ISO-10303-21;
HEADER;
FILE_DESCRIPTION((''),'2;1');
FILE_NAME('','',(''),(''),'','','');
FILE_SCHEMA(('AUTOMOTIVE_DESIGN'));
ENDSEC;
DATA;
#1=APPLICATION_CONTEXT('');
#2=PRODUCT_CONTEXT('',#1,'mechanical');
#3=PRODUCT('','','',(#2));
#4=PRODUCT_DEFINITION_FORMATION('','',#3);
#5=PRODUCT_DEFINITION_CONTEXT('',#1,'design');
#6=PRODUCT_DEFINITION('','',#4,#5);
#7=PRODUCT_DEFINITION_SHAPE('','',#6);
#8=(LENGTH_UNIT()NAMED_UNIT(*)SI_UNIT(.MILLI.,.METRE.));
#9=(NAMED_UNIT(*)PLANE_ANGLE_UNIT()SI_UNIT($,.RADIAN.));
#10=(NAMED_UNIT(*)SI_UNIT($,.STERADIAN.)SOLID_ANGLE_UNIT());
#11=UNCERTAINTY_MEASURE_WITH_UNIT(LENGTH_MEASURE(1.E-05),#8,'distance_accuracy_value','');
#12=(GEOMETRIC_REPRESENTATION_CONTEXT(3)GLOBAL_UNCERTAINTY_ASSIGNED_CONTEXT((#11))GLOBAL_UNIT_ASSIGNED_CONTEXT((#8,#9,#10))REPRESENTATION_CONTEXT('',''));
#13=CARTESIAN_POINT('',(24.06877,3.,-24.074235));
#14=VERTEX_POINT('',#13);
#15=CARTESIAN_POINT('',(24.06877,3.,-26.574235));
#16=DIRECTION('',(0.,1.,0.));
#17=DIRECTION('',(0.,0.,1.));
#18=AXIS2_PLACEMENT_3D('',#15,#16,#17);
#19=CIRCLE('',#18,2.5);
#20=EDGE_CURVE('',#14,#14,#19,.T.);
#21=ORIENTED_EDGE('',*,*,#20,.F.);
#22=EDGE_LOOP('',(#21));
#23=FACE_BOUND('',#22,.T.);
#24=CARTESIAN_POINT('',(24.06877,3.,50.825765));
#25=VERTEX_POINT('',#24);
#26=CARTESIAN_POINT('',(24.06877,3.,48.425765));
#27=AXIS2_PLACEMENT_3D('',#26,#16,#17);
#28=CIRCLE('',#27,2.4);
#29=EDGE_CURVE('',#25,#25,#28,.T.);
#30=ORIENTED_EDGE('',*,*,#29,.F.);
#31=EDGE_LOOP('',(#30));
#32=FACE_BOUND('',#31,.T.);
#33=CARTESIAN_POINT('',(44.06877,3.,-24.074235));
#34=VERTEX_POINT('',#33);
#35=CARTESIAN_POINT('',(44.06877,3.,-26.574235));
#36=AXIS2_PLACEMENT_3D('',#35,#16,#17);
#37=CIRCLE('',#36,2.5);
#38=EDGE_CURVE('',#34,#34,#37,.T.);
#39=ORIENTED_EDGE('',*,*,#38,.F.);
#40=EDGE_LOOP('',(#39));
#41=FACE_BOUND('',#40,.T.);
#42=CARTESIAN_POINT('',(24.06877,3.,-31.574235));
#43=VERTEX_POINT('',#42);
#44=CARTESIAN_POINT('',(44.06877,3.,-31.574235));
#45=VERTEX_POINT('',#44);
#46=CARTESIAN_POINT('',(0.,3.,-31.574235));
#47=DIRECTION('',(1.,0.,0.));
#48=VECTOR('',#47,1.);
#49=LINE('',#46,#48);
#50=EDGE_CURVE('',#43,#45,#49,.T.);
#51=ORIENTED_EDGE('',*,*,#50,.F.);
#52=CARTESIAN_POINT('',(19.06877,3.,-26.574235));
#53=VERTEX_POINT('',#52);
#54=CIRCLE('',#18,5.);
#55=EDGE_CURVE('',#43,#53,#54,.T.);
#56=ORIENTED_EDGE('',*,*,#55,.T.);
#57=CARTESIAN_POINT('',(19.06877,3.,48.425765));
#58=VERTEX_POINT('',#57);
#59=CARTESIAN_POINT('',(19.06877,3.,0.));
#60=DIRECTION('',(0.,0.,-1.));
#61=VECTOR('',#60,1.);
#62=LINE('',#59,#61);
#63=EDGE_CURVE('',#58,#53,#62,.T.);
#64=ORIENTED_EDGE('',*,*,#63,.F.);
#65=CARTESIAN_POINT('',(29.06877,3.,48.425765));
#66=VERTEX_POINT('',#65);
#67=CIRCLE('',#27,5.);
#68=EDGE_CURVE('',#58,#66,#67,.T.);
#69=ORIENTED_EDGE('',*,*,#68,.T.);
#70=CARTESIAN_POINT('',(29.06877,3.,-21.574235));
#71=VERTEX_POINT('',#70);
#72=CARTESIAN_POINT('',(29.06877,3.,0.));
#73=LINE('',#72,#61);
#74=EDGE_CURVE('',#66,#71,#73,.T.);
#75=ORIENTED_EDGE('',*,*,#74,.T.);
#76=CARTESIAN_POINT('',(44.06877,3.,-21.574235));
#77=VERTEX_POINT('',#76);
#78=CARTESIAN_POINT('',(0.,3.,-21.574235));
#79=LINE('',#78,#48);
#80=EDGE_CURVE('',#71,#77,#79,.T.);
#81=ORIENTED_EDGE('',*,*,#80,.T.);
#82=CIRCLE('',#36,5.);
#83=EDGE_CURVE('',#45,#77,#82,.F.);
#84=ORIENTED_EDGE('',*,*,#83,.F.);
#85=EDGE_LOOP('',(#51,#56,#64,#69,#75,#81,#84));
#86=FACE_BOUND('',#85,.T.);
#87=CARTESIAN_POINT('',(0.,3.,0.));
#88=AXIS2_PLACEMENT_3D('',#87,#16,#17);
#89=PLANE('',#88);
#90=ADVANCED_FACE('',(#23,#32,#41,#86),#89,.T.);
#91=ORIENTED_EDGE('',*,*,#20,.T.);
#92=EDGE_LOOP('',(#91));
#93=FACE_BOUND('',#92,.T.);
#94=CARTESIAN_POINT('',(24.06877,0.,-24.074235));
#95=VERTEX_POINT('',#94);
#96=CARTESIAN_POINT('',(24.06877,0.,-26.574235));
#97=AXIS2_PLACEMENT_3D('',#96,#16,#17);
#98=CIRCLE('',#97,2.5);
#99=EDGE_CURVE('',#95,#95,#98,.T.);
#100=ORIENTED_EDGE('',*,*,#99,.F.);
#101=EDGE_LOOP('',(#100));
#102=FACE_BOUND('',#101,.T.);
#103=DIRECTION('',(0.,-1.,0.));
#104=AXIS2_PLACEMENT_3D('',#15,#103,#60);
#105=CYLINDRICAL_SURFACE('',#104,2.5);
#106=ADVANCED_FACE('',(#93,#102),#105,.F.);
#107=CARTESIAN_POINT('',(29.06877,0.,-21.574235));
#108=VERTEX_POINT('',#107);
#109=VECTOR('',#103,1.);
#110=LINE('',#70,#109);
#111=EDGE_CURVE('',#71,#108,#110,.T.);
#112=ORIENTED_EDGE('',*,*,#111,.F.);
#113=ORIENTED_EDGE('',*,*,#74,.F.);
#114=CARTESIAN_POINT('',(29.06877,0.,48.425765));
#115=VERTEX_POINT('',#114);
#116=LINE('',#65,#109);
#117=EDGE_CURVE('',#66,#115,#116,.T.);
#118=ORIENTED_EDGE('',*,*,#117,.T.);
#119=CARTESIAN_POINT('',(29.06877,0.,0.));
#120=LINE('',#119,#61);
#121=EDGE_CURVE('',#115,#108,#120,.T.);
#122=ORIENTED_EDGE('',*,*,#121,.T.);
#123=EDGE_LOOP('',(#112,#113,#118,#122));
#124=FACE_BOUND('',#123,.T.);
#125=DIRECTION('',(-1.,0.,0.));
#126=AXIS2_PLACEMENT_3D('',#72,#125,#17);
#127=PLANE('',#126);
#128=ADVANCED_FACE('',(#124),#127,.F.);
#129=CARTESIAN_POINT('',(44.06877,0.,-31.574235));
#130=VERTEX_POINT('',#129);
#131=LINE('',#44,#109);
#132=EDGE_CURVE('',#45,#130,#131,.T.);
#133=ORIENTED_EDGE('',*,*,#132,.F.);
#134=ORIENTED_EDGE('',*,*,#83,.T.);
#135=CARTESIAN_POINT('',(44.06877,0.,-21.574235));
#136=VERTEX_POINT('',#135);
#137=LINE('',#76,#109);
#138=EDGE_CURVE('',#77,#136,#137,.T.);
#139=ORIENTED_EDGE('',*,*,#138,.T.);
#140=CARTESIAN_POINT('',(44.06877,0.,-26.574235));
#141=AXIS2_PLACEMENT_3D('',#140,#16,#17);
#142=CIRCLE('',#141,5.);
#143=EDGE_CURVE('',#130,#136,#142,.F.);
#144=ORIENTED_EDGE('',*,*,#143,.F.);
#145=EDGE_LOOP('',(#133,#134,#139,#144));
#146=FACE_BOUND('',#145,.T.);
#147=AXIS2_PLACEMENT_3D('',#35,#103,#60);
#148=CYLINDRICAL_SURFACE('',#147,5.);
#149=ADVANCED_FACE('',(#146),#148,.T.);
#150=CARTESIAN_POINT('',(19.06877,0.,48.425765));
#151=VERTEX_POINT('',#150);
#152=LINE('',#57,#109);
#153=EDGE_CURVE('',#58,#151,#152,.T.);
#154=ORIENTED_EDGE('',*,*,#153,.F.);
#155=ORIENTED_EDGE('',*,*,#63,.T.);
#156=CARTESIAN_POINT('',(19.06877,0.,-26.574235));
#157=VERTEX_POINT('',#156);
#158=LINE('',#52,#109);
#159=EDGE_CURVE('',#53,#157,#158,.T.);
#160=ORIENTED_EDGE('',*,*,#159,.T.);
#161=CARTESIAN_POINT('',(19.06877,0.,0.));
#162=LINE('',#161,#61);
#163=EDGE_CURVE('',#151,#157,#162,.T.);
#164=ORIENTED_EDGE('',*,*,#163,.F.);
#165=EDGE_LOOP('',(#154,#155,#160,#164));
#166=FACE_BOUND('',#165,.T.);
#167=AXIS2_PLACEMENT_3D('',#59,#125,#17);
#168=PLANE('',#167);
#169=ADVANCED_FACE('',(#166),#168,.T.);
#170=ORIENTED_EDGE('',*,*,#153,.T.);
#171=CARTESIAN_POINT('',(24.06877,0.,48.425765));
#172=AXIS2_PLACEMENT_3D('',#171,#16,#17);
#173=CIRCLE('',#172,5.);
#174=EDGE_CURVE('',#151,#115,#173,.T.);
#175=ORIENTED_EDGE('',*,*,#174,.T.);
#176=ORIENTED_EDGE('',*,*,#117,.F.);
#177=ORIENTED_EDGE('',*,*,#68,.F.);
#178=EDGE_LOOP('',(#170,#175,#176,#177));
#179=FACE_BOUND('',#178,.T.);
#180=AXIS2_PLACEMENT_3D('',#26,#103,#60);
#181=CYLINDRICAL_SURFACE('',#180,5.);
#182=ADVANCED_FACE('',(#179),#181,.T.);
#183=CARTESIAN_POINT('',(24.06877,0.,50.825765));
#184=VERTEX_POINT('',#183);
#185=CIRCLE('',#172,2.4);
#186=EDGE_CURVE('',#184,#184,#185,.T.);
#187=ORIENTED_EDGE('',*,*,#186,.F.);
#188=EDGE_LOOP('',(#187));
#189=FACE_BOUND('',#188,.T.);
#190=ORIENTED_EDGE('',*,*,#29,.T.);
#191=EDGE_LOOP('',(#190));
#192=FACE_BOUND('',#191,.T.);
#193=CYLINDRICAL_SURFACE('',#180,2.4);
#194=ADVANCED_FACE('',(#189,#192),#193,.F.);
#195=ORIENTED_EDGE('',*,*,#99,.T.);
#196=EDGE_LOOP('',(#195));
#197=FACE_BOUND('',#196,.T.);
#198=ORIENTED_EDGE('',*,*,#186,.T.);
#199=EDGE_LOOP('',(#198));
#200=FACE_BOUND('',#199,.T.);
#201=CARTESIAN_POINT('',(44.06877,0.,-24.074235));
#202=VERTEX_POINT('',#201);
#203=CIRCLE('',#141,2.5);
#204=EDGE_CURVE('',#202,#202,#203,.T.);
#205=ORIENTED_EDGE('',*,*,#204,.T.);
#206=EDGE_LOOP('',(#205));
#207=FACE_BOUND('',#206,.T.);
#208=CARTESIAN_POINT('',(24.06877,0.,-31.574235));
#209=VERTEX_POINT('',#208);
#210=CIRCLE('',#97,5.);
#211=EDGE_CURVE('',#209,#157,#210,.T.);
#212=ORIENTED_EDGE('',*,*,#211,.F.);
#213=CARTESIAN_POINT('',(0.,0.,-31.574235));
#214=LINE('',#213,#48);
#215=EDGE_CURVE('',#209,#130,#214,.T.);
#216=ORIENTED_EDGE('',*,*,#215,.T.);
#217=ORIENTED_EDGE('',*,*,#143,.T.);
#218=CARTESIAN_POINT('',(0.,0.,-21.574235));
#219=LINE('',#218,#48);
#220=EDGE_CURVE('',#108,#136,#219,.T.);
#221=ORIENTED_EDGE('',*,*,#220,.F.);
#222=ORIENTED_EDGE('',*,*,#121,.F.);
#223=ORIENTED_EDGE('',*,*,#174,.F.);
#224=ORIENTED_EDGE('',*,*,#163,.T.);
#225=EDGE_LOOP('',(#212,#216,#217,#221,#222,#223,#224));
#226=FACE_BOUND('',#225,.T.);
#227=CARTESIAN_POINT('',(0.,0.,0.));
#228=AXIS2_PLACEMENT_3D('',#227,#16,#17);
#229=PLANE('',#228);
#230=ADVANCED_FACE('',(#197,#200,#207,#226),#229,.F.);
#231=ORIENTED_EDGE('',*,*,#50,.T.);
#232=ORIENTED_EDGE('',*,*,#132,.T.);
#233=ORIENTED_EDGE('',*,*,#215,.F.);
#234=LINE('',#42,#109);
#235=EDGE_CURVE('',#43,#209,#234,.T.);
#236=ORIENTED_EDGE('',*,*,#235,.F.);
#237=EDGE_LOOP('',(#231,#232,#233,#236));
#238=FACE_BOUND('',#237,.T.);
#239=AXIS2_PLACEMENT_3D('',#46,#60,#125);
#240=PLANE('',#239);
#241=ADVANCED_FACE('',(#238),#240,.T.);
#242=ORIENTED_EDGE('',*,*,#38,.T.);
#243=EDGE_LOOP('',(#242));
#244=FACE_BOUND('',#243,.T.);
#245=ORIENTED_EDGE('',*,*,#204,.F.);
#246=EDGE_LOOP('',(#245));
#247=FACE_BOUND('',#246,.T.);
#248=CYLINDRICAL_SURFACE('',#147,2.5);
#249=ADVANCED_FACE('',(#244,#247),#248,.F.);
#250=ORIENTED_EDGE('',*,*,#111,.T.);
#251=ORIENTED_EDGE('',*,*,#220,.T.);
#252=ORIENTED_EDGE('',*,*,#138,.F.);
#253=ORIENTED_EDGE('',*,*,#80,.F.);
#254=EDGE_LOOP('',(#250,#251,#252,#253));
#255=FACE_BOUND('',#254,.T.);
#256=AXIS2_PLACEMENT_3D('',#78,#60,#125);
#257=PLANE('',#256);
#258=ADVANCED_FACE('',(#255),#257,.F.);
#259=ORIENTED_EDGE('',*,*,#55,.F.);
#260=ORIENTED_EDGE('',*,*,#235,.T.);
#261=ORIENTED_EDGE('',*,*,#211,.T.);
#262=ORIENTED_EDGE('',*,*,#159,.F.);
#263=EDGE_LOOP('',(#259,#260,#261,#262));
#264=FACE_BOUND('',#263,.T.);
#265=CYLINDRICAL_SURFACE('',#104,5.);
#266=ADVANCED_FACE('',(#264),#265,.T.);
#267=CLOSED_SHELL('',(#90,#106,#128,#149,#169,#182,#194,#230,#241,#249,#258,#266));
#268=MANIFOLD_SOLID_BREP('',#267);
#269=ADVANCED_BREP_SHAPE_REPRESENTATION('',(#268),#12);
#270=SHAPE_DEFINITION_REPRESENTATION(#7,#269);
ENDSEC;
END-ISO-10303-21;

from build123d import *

# Parameters (mm, degrees)
SKETCH1_R           = 2.4
SKETCH1_R_2         = 2.5
BOSS_EXTRUDE1_DEPTH = 3


with BuildPart() as part:
    # Sketch1 → Boss-Extrude1 (new body)
    # profile 1 of 4: a face of its own
    with BuildSketch(Plane(origin=(0, 0, 0), x_dir=(1, 0, 0), z_dir=(0, 1, 0))):
        with BuildLine():
            Line((19.068769591, 26.574235382), (19.068769591, -48.425764618))
            ThreePointArc((19.068769591, -48.425764618), (24.068769591, -53.425764618), (29.068769591, -48.425764618))
            Line((29.068769591, -48.425764618), (29.068769591, 21.574235382))
            Line((29.068769591, 21.574235382), (24.068769591, 21.574235382))
            Line((24.068769591, 21.574235382), (24.068769591, 24.074235382))
            ThreePointArc((24.068769591, 24.074235382), (22.301002638, 24.806468429), (21.568769591, 26.574235382))
            Line((21.568769591, 26.574235382), (19.068769591, 26.574235382))
        make_face()
        with Locations(Location((24.068769591, -48.425764618, 0), (0, 0, 270))):
            Circle(SKETCH1_R, mode=Mode.SUBTRACT)
    # profile 2 of 4: a face of its own
    with BuildSketch(Plane(origin=(0, 0, 0), x_dir=(1, 0, 0), z_dir=(0, 1, 0))):
        with BuildLine():
            Line((44.068769591, 31.574235382), (24.068769591, 31.574235382))
            Line((24.068769591, 31.574235382), (24.068769591, 29.074235382))
            ThreePointArc((24.068769591, 29.074235382), (25.836536544, 28.342002335), (26.568769591, 26.574235382))
            Line((26.568769591, 26.574235382), (29.068769591, 26.574235382))
            Line((29.068769591, 26.574235382), (29.068769591, 21.574235382))
            Line((29.068769591, 21.574235382), (44.068769591, 21.574235382))
            ThreePointArc((44.068769591, 21.574235382), (49.068769591, 26.574235382), (44.068769591, 31.574235382))
        make_face()
        with Locations(Location((44.068769591, 26.574235382, 0), (0, 0, 270))):
            Circle(SKETCH1_R_2, mode=Mode.SUBTRACT)
    # profile 3 of 4: a face of its own
    with BuildSketch(Plane(origin=(0, 0, 0), x_dir=(1, 0, 0), z_dir=(0, 1, 0))):
        with BuildLine():
            Line((24.068769591, 21.574235382), (29.068769591, 21.574235382))
            Line((29.068769591, 21.574235382), (29.068769591, 26.574235382))
            Line((29.068769591, 26.574235382), (26.568769591, 26.574235382))
            ThreePointArc((26.568769591, 26.574235382), (25.836536544, 24.806468429), (24.068769591, 24.074235382))
            Line((24.068769591, 24.074235382), (24.068769591, 21.574235382))
        make_face()
    # profile 4 of 4: a face of its own
    with BuildSketch(Plane(origin=(0, 0, 0), x_dir=(1, 0, 0), z_dir=(0, 1, 0))):
        with BuildLine():
            ThreePointArc((24.068769591, 31.574235382), (20.533235685, 30.109769288), (19.068769591, 26.574235382))
            Line((19.068769591, 26.574235382), (21.568769591, 26.574235382))
            ThreePointArc((21.568769591, 26.574235382), (22.301002638, 28.342002335), (24.068769591, 29.074235382))
            Line((24.068769591, 29.074235382), (24.068769591, 31.574235382))
        make_face()
    extrude(amount=BOSS_EXTRUDE1_DEPTH)


solid = part.part
